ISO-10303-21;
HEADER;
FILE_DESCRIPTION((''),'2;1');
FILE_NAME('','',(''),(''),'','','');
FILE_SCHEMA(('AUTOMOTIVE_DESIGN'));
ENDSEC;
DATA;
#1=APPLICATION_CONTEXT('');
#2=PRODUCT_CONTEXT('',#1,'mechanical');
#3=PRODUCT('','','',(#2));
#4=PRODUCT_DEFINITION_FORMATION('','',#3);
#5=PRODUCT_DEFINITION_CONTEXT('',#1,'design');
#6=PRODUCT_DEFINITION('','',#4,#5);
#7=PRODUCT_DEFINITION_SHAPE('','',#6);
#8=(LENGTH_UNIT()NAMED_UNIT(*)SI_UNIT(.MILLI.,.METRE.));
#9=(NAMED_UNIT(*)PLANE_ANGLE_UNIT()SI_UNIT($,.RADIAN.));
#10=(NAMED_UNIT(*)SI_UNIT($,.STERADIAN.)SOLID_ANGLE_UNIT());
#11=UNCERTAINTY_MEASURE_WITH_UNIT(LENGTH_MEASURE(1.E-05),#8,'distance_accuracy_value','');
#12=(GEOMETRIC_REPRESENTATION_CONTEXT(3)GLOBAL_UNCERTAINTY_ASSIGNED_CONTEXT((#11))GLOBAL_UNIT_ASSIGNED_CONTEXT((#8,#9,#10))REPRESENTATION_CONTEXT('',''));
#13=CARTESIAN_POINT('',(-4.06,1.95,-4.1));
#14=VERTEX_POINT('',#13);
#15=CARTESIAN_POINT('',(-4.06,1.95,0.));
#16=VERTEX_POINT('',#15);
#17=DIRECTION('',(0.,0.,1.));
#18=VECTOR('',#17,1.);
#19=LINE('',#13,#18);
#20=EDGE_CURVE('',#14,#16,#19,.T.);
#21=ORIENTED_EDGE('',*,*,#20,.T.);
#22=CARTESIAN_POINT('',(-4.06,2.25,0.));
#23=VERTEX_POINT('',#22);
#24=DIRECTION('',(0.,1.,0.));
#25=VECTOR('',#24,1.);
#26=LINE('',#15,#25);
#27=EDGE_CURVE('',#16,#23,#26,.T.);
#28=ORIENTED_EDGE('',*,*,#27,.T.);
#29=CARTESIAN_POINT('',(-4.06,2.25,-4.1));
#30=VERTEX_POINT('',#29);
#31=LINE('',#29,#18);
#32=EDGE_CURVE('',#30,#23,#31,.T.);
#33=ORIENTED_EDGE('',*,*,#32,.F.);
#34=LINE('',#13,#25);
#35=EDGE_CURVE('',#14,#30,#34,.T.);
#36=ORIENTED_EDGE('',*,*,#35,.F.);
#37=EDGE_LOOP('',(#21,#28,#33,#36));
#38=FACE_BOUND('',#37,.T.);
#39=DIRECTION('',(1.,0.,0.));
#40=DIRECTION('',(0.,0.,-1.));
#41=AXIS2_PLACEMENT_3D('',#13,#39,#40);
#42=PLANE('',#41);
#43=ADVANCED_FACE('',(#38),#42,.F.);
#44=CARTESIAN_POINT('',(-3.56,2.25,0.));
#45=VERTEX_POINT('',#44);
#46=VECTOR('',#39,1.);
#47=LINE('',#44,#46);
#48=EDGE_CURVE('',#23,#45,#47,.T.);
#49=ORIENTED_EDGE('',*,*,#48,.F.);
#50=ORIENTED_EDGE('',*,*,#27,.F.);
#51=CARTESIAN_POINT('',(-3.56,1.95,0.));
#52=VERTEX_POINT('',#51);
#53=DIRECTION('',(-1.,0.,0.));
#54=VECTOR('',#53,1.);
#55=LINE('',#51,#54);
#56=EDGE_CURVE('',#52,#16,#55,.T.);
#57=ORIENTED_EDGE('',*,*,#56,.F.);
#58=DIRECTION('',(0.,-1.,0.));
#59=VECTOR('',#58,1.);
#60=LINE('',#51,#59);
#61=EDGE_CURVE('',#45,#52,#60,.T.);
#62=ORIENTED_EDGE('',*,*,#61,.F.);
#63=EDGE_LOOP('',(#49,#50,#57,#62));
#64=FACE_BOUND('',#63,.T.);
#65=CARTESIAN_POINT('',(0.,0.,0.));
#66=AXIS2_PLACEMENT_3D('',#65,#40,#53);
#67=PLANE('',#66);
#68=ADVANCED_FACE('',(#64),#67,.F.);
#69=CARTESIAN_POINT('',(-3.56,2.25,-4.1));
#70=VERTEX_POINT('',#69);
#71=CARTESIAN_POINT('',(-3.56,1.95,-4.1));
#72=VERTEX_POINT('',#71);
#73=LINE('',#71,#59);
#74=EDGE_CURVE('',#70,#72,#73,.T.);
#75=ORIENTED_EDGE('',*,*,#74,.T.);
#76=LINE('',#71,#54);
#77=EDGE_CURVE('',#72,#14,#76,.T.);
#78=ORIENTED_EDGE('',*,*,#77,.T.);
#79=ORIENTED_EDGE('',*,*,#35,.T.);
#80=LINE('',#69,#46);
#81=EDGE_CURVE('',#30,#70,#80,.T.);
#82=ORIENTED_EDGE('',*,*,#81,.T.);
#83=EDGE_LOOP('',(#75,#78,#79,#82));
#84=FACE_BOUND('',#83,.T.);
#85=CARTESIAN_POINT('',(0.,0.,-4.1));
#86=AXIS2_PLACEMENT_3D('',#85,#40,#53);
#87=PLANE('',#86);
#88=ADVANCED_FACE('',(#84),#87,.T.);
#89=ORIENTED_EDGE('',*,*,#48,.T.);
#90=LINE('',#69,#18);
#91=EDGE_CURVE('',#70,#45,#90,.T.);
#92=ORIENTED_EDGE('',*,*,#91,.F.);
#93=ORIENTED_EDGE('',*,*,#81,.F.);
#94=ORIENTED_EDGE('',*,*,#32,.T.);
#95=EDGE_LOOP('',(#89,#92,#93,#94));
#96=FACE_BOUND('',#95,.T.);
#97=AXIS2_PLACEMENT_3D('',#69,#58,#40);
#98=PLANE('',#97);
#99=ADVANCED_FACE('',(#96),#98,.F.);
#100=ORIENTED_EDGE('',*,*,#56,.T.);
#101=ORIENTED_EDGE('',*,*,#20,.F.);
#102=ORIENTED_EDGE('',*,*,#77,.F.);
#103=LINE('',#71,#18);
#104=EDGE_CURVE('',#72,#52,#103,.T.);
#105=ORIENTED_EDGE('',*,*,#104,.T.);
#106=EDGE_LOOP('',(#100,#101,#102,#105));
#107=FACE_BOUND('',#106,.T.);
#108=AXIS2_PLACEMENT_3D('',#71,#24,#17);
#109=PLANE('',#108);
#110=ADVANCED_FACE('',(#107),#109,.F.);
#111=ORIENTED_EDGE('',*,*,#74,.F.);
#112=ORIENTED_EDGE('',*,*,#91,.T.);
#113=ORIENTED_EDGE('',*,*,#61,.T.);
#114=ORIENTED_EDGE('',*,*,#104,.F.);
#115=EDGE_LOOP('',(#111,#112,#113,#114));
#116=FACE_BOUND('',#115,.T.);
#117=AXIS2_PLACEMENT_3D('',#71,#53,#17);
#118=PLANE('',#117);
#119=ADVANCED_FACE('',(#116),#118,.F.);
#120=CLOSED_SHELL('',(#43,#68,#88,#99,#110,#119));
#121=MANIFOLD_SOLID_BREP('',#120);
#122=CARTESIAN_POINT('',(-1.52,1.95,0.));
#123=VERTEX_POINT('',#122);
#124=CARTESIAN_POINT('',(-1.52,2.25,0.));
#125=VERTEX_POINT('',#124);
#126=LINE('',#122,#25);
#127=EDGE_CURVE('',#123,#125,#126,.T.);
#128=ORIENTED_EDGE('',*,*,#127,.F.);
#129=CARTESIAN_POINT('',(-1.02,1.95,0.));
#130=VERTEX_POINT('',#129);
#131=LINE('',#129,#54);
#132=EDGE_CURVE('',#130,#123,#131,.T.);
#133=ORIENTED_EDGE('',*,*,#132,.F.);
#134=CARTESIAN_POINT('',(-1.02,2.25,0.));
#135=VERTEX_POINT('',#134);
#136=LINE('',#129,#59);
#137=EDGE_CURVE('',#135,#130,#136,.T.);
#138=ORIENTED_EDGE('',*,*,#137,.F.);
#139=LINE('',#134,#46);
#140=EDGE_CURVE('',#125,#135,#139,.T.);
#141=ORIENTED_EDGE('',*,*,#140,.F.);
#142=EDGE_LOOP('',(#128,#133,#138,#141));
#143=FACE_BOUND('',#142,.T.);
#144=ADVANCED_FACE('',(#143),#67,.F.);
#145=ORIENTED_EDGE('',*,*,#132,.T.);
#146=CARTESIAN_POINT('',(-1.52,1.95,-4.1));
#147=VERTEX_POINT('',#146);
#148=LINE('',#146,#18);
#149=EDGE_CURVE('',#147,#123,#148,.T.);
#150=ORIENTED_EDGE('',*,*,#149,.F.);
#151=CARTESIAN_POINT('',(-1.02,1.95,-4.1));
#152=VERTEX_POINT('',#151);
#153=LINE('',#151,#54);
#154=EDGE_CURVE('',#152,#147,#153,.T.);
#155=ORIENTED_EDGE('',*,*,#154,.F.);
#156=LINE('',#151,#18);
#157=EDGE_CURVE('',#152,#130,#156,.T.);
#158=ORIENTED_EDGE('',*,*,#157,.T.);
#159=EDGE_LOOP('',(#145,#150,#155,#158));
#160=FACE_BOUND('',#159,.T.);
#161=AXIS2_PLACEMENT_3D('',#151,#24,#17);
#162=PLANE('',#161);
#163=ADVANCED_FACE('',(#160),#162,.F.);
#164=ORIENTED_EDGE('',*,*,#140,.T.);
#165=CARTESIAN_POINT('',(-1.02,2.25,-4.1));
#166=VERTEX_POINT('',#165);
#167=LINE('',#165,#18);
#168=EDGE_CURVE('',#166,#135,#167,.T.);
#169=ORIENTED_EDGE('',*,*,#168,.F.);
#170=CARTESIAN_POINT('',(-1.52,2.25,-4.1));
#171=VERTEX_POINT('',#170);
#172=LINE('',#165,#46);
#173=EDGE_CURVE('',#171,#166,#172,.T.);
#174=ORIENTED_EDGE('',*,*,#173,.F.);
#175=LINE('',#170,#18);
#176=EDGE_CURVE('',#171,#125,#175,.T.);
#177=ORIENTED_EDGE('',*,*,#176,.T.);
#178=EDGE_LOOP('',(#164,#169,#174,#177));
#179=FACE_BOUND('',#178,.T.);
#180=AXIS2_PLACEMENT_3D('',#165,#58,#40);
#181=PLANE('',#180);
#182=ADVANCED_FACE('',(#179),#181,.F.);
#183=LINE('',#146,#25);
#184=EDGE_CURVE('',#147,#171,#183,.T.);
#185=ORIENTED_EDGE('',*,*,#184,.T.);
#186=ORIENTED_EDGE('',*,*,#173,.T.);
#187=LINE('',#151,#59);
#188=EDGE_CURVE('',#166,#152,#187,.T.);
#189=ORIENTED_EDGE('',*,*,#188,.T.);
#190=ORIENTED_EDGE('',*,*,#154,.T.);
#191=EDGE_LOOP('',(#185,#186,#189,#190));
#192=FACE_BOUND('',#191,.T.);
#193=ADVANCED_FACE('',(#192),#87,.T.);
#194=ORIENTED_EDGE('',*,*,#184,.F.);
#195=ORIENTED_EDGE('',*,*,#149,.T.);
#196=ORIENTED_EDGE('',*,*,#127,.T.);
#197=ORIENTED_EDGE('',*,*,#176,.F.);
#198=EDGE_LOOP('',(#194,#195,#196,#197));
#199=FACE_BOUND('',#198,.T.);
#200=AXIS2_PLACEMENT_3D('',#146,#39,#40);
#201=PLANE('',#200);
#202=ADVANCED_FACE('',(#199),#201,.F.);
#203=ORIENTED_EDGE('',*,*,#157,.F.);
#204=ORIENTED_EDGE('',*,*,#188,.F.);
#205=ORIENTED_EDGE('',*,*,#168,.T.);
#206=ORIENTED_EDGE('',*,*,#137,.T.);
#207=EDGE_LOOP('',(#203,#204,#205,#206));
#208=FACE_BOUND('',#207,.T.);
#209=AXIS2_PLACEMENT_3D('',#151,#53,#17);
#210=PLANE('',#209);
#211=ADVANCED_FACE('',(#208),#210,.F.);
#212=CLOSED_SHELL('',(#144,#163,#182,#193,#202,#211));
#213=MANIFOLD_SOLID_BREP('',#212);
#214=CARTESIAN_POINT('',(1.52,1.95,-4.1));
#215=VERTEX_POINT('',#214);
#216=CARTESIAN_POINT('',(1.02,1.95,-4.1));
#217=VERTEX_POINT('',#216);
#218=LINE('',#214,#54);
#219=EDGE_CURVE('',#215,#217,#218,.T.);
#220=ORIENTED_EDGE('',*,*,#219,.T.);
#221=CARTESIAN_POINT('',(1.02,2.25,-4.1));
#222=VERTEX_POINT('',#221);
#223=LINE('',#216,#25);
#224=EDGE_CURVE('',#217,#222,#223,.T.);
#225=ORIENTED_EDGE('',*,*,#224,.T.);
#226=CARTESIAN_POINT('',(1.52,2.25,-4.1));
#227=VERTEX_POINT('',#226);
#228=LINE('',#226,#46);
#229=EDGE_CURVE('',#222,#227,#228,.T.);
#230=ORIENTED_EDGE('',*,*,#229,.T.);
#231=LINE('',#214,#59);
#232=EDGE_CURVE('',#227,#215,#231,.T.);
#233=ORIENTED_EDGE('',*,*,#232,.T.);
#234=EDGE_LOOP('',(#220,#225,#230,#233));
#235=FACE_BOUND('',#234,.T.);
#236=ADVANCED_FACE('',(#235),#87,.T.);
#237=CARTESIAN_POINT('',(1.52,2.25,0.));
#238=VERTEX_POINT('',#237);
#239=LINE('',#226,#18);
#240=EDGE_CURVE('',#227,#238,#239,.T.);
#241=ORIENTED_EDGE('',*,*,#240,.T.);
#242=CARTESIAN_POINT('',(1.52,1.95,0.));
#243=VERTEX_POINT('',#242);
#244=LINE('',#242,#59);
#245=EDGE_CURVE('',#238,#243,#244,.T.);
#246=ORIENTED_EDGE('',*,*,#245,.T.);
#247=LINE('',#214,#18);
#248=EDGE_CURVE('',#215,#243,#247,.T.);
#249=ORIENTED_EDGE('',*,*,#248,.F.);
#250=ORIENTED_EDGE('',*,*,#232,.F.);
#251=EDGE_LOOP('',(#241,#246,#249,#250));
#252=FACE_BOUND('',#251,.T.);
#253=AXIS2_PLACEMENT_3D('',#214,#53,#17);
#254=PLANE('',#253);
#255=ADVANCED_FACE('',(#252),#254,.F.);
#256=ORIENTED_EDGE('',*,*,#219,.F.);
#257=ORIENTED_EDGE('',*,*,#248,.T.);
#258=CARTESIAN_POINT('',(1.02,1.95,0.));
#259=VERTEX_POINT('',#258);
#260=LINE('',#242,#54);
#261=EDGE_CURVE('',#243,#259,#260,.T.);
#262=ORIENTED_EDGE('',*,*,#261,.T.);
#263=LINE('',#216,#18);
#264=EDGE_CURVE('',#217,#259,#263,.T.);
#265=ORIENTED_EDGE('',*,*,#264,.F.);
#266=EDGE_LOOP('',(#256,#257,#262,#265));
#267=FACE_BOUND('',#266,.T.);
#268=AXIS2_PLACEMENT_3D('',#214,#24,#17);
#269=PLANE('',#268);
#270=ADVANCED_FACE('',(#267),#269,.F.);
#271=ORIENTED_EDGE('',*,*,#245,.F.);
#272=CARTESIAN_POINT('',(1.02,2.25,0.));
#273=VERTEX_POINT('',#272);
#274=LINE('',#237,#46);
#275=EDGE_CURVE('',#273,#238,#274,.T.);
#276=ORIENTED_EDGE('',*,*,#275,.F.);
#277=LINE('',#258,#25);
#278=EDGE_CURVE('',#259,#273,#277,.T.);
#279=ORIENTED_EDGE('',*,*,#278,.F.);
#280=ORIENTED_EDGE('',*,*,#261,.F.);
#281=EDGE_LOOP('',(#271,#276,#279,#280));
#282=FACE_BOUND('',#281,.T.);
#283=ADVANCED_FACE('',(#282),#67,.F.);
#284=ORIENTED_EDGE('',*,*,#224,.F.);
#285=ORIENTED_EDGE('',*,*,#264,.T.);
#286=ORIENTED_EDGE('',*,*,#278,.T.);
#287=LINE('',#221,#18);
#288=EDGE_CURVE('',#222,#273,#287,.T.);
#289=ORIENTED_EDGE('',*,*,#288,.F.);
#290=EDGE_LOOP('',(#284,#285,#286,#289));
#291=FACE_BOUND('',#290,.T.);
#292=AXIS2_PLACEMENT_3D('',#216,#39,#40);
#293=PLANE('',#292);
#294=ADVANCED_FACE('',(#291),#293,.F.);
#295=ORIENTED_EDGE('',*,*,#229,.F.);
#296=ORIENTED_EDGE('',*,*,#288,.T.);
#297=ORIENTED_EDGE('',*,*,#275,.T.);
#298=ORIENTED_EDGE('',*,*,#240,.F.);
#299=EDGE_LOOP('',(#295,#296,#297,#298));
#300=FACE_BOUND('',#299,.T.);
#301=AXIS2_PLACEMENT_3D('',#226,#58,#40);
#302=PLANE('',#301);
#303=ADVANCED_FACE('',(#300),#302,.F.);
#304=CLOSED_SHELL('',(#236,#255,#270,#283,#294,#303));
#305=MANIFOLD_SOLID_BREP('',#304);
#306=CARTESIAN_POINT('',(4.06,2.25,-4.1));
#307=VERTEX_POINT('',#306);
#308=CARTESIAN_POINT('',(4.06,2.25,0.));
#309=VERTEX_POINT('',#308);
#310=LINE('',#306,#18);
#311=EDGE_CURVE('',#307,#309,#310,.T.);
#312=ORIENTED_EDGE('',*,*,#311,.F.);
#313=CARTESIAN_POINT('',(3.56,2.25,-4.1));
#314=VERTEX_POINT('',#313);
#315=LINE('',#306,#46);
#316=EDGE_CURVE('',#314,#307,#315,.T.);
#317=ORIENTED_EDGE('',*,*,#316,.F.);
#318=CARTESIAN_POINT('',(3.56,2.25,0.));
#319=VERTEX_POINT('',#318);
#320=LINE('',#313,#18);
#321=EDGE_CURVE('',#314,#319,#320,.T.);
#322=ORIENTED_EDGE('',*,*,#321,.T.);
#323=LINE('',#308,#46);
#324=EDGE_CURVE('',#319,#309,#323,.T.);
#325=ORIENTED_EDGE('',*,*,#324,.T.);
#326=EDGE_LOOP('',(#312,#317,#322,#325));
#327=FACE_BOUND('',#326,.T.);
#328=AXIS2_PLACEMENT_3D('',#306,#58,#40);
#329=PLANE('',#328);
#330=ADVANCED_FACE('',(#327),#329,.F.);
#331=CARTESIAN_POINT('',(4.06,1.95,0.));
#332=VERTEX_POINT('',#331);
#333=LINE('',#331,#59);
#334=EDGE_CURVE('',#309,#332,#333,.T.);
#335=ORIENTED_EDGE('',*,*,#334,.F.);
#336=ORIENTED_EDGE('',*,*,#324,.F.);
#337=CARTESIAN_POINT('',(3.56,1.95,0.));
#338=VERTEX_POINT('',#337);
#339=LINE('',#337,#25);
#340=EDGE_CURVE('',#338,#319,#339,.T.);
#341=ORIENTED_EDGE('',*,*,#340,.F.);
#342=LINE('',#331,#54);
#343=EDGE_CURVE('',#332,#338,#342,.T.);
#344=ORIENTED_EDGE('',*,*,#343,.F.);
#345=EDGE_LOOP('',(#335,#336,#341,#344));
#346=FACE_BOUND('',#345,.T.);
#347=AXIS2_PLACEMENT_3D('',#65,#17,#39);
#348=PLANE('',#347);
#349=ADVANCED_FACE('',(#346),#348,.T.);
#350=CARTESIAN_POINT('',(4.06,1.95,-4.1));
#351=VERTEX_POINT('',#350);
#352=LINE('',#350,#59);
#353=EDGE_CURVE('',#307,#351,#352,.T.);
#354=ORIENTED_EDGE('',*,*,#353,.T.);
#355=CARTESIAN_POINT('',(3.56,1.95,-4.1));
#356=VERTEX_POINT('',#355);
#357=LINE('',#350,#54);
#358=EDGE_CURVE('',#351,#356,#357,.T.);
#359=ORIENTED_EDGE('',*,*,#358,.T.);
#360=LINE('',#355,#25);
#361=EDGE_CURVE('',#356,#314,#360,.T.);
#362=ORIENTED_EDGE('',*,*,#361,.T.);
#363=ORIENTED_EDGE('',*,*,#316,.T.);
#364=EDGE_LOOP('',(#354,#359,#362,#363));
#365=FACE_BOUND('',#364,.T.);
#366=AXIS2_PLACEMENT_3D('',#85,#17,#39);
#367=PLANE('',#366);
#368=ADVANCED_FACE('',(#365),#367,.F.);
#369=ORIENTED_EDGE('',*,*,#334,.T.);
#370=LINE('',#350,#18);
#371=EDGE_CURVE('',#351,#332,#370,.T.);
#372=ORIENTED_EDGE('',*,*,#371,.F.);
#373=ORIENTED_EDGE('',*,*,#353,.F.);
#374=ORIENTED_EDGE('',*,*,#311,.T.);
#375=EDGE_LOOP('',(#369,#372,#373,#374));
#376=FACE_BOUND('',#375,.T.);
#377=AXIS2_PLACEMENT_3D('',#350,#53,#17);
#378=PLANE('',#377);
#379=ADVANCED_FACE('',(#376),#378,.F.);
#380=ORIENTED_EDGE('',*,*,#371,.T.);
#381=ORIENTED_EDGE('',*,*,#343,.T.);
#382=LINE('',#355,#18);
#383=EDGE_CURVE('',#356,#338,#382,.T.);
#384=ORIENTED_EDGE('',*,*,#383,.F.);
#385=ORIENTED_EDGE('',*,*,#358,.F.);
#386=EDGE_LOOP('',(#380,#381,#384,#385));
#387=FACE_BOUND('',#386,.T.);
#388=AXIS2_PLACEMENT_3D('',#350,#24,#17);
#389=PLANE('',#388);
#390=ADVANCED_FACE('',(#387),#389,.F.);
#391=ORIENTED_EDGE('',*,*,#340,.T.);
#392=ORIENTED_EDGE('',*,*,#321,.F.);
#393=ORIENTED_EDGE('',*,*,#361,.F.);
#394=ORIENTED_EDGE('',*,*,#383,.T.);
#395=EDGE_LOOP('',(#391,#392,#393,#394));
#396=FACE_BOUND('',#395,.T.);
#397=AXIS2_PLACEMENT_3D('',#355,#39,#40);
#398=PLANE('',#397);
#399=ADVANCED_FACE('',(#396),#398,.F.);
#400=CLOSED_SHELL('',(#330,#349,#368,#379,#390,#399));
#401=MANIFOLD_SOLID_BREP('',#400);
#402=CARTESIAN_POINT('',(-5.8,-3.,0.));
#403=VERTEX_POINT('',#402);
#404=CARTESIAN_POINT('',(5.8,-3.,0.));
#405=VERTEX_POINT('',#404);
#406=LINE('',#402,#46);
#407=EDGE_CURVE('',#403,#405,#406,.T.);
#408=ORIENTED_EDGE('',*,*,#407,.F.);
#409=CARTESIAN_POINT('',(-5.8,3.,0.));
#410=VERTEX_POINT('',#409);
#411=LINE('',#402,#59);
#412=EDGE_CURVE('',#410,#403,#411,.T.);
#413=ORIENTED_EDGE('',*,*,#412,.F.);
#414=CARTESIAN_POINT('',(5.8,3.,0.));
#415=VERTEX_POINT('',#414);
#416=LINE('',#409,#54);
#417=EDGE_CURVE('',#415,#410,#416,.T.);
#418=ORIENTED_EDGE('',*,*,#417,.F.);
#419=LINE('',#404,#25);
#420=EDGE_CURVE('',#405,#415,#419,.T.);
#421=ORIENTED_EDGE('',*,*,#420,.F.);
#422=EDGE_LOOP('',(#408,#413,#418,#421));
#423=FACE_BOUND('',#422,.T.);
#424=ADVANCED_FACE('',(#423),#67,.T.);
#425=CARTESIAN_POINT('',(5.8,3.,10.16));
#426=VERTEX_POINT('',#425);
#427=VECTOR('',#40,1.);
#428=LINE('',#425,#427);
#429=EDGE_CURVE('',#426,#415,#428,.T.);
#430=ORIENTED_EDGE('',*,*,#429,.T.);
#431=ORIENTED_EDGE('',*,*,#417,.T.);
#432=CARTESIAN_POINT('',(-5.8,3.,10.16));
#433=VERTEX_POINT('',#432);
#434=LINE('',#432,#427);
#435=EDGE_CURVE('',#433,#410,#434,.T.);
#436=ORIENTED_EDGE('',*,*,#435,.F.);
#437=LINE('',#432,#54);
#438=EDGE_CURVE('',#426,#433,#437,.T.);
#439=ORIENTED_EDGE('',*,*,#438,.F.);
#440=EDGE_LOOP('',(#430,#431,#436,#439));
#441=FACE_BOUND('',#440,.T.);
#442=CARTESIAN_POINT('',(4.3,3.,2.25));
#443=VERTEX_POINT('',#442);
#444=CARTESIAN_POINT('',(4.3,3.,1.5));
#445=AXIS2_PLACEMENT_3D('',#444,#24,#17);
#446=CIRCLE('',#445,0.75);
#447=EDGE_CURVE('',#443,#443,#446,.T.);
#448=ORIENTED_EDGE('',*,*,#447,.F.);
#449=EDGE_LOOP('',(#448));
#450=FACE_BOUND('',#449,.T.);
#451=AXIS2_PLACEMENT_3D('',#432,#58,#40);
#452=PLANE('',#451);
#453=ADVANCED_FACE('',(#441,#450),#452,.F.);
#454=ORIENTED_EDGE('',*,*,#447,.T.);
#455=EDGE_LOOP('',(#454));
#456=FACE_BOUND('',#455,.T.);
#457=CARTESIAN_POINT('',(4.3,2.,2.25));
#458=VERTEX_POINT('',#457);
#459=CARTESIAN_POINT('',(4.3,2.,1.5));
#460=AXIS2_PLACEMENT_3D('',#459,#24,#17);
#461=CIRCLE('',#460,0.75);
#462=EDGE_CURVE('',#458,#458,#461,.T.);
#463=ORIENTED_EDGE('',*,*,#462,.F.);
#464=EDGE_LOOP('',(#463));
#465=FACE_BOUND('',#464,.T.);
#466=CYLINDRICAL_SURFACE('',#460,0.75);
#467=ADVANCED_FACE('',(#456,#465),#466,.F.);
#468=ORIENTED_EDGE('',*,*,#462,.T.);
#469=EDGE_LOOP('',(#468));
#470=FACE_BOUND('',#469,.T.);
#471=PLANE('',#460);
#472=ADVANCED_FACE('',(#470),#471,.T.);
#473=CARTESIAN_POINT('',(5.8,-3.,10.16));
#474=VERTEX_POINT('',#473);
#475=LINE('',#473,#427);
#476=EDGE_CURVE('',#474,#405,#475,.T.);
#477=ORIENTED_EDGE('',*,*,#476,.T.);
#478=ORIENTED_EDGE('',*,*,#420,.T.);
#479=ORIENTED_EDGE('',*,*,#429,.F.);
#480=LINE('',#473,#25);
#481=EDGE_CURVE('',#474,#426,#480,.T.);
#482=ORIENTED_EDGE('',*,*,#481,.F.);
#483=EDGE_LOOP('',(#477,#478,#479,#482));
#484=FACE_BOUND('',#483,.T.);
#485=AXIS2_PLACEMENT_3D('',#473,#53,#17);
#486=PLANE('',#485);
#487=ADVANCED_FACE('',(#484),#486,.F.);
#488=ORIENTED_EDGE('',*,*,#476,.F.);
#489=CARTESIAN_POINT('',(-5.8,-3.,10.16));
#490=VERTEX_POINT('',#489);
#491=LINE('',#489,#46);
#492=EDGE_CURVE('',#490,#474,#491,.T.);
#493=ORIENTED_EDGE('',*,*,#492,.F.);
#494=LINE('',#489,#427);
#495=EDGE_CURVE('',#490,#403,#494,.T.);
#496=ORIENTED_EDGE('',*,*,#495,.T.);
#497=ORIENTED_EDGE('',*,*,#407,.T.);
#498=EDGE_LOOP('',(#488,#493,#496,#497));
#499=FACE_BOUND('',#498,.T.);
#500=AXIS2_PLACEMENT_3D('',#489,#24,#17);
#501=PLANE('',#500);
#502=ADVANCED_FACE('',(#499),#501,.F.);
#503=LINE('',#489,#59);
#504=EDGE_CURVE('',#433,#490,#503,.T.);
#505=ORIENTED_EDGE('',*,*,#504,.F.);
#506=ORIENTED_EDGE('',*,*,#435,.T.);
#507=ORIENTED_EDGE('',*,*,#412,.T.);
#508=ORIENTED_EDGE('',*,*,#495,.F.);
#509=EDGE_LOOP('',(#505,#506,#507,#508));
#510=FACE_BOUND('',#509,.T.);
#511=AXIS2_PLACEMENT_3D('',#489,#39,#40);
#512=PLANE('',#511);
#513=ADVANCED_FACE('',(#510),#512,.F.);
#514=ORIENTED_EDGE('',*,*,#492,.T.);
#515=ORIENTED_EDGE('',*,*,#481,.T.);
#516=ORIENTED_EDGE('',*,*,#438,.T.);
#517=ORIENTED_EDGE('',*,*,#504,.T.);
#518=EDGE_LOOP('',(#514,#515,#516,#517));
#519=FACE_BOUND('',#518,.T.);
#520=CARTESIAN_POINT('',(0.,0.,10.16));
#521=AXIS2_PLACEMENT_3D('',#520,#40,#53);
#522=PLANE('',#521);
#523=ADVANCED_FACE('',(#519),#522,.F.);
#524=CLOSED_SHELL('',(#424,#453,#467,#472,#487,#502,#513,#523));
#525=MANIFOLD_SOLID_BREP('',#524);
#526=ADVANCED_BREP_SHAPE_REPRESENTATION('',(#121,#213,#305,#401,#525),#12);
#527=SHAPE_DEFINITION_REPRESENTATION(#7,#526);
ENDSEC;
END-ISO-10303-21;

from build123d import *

# Parameters (mm, degrees)
SKETCH_1_W          = 11.6
SKETCH_1_H          = 6
EXTRUDE_1_DEPTH     = 10.16
SKETCH_2_W          = 0.5
SKETCH_2_H          = 0.3
EXTRUDE_2_DEPTH     = 4.1
EXTRUDE_2_2_DEPTH   = 4.1
EXTRUDE_2_3_DEPTH   = 4.1
EXTRUDE_2_4_DEPTH   = 4.1
SKETCH_3_R          = 0.75
CUT_EXTRUDE_1_DEPTH = 1


with BuildPart() as part:
    # 草图1 → 凸台-拉伸1 (new body)
    with BuildSketch(Plane.XY):
        Rectangle(SKETCH_1_W, SKETCH_1_H)
    extrude(amount=EXTRUDE_1_DEPTH)

    # 草图3 → 切除-拉伸1 (cut)
    with BuildSketch(Plane(origin=(0, 3, 0), x_dir=(1, 0, 0), z_dir=(0, 1, 0))):
        with Locations(Location((4.3, -1.5, 0), (0, 0, 270))):
            Circle(SKETCH_3_R)
    extrude(amount=-CUT_EXTRUDE_1_DEPTH, mode=Mode.SUBTRACT)


with BuildPart() as body_2:
    # 草图2 → 凸台-拉伸2 (new body)
    with BuildSketch(Plane(origin=(0, 0, 0), x_dir=(-1, 0, 0), z_dir=(0, 0, -1))):
        with Locations((-1.27, 2.1)):
            Rectangle(SKETCH_2_W, SKETCH_2_H)
    extrude(amount=EXTRUDE_2_DEPTH)


with BuildPart() as body_3:
    # 草图2 → Extrude 2 2 (new body)
    with BuildSketch(Plane(origin=(0, 0, 0), x_dir=(-1, 0, 0), z_dir=(0, 0, -1))):
        with Locations((-3.81, 2.1)):
            Rectangle(SKETCH_2_W, SKETCH_2_H)
    extrude(amount=EXTRUDE_2_2_DEPTH)


with BuildPart() as body_4:
    # 草图2 → Extrude 2 3 (new body)
    with BuildSketch(Plane(origin=(0, 0, 0), x_dir=(-1, 0, 0), z_dir=(0, 0, -1))):
        with Locations((1.27, 2.1)):
            Rectangle(SKETCH_2_W, SKETCH_2_H)
    extrude(amount=EXTRUDE_2_3_DEPTH)


with BuildPart() as body_5:
    # 草图2 → Extrude 2 4 (new body)
    with BuildSketch(Plane(origin=(0, 0, 0), x_dir=(-1, 0, 0), z_dir=(0, 0, -1))):
        with Locations((3.81, 2.1)):
            Rectangle(SKETCH_2_W, SKETCH_2_H)
    extrude(amount=EXTRUDE_2_4_DEPTH)


solid = Compound([part.part, body_2.part, body_3.part, body_4.part, body_5.part])
